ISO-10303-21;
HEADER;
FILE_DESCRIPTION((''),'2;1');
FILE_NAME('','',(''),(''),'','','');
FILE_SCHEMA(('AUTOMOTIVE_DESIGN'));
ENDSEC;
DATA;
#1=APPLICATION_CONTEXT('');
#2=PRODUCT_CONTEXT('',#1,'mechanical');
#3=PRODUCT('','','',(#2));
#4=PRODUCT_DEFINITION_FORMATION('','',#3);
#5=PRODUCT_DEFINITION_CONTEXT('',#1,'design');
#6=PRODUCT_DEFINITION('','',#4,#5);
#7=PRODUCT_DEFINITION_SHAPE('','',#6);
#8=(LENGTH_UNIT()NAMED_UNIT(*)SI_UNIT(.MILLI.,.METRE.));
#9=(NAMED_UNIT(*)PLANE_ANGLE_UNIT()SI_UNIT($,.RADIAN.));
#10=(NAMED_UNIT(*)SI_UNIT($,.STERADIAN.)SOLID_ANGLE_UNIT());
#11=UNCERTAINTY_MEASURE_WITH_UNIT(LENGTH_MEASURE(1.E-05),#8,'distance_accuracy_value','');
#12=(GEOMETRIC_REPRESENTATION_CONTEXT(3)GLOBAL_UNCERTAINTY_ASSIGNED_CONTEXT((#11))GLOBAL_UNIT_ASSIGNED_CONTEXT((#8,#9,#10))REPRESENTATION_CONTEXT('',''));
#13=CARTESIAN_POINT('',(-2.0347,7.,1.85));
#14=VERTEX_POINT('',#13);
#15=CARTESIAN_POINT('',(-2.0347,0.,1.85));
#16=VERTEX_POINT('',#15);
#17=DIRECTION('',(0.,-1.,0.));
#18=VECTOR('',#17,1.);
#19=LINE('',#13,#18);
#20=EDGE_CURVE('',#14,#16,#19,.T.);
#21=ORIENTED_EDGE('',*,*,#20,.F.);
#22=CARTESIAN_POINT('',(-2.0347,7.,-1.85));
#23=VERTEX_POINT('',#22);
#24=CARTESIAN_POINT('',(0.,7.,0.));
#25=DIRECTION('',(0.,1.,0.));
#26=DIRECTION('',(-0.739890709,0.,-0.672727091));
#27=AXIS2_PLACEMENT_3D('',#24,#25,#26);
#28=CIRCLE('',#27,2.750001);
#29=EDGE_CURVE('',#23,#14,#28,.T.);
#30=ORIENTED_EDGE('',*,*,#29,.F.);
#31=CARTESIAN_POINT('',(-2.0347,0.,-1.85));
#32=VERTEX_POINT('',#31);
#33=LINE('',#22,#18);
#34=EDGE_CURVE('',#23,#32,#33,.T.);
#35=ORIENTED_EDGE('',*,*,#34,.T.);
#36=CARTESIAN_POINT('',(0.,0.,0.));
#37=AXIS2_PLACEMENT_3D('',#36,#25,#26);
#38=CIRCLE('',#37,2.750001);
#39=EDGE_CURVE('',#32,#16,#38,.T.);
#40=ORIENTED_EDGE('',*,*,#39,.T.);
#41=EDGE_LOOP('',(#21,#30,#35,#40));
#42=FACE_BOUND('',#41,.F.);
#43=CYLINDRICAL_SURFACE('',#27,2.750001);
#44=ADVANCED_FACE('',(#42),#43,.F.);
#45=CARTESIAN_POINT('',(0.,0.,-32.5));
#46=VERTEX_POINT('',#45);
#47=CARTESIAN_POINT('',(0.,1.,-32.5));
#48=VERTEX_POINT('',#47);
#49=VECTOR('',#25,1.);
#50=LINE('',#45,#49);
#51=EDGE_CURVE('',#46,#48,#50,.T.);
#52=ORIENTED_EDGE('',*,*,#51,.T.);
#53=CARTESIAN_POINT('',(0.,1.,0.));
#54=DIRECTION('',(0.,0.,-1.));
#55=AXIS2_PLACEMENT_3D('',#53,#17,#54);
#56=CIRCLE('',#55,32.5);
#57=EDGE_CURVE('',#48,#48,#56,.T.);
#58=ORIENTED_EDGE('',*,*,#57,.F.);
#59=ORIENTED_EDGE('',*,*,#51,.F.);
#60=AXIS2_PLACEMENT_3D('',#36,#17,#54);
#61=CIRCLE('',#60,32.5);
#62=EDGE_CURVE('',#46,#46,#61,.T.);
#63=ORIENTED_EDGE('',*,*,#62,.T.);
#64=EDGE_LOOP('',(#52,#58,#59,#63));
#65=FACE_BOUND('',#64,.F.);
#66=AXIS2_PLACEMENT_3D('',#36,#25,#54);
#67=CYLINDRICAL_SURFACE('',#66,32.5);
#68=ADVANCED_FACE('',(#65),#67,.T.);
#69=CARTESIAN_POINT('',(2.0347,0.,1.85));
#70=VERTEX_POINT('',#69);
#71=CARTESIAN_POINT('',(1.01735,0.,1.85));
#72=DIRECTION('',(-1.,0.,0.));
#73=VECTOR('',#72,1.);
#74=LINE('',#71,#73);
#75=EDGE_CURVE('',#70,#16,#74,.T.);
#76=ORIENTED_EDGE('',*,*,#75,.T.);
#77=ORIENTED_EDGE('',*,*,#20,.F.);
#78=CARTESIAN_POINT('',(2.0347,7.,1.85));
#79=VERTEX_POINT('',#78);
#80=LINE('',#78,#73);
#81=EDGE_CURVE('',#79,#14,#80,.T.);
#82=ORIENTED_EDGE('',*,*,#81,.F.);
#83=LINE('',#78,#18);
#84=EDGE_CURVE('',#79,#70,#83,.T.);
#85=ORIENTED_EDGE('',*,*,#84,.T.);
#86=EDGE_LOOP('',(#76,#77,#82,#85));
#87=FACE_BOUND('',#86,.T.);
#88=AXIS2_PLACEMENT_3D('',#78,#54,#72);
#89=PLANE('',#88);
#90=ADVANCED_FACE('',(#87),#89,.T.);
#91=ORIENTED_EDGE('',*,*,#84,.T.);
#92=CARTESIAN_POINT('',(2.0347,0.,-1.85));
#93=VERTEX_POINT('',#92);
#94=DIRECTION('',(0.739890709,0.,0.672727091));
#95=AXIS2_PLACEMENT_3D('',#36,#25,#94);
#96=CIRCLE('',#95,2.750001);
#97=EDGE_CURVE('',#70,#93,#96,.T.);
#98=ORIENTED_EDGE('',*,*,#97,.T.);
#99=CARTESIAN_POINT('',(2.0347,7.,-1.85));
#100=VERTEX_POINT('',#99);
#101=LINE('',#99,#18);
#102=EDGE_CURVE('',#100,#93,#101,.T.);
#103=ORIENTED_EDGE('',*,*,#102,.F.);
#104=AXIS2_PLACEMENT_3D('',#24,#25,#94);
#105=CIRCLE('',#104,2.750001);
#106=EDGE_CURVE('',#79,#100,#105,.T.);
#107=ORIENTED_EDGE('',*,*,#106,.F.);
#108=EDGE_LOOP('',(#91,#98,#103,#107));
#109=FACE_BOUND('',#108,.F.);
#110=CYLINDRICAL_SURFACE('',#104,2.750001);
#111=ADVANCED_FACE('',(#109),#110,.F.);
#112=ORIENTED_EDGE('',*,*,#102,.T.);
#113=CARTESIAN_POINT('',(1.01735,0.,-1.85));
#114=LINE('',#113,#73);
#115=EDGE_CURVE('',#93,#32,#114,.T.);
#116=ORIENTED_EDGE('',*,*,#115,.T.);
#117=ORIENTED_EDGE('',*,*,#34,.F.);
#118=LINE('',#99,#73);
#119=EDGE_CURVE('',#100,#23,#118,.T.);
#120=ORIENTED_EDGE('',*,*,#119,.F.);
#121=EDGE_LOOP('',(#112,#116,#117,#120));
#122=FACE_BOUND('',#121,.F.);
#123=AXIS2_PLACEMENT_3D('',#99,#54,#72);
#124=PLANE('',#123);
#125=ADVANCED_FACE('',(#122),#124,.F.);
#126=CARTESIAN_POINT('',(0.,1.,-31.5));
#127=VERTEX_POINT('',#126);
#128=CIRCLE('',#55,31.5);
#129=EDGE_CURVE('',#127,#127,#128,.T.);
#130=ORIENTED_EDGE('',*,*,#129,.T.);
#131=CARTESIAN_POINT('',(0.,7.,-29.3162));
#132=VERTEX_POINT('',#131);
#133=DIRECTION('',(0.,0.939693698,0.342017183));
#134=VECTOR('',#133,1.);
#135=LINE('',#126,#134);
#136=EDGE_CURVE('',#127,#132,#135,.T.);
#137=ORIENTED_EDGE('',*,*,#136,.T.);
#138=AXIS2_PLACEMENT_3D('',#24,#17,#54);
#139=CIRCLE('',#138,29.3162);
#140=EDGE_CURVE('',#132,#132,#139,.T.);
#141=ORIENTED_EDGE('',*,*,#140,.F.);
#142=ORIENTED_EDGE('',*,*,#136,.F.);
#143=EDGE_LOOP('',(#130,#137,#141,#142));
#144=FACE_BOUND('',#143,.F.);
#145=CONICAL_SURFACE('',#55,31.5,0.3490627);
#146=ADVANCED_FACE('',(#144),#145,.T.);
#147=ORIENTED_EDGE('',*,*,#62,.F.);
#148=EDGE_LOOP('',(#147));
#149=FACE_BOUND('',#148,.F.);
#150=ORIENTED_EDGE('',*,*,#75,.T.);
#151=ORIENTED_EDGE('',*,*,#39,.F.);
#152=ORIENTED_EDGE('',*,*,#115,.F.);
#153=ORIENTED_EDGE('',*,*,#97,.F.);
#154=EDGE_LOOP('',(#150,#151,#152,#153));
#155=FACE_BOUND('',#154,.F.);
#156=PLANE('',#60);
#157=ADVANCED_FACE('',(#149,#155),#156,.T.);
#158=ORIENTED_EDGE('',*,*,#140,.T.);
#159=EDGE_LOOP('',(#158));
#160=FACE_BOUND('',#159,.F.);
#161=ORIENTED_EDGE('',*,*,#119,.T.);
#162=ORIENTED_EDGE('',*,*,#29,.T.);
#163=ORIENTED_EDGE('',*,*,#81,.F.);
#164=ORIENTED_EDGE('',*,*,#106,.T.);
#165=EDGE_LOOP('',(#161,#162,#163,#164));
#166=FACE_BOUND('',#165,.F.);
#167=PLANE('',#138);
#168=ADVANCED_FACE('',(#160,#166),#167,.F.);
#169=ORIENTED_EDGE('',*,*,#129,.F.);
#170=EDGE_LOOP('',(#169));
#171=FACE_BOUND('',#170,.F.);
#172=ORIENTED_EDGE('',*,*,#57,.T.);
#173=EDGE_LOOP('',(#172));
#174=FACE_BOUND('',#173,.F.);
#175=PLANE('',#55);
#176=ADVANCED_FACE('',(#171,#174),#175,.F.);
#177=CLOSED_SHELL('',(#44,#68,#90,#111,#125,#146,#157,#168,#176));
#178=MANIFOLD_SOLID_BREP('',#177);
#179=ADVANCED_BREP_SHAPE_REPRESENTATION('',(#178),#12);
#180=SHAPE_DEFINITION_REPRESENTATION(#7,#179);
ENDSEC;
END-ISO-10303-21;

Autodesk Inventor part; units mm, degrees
ref_plane "YZ Plane" through (0, 0, 0) normal (1, 0, 0) x (0, 1, 0)
ref_plane "XZ Plane" through (0, 0, 0) normal (0, 1, 0) x (-1, 0, 0)
ref_plane "XY Plane" through (0, 0, 0) normal (0, 0, 1) x (1, 0, 0)
sketch "Sketch1" plane through (0, 0, 0) normal (1, 0, 0) x (0, 1, 0)
  line L0 (0, 0) -> (0, -32.5)
  line L1 (0, -32.5) -> (1, -32.5)
  line L2 (1, -32.5) -> (1, -31.5)
  line L3 (1, -31.5) -> (7, -29.3162)
  line L4 (1, -31.5) -> (7.3851, -31.5) construction
  line L5 (7, -29.3162) -> (7, 0)
  line L6 (7, 0) -> (0, 0)
  dimension "d0" = 32.5
  dimension "d2" = 1
  dimension "d3" = 20
  dimension "d5" = 7
  dimension "d6" = 1
revolve "Revolution1" add sketch "Sketch1" angle 360 about axis through (0, 7, 0) along (0, -1, 0)
sketch "Sketch2" plane through (0, 7, 0) normal (0, 1, 0) x (1, 0, 0)
  line L0 (2.0347, 1.85) -> (-2.0347, 1.85)
  line L1 (2.0347, -1.85) -> (-2.0347, -1.85)
  arc A0 (2.0347, -1.85) -> (2.0347, 1.85) centre (0, 0) ccw
  arc A1 (-2.0347, 1.85) -> (-2.0347, -1.85) centre (0, 0) ccw
  dimension "d9" = 4.0694
  dimension "d10" = 3.7
extrude "Extrusion1" cut sketch "Sketch2" against normal through all
properties part number "Wheel"
